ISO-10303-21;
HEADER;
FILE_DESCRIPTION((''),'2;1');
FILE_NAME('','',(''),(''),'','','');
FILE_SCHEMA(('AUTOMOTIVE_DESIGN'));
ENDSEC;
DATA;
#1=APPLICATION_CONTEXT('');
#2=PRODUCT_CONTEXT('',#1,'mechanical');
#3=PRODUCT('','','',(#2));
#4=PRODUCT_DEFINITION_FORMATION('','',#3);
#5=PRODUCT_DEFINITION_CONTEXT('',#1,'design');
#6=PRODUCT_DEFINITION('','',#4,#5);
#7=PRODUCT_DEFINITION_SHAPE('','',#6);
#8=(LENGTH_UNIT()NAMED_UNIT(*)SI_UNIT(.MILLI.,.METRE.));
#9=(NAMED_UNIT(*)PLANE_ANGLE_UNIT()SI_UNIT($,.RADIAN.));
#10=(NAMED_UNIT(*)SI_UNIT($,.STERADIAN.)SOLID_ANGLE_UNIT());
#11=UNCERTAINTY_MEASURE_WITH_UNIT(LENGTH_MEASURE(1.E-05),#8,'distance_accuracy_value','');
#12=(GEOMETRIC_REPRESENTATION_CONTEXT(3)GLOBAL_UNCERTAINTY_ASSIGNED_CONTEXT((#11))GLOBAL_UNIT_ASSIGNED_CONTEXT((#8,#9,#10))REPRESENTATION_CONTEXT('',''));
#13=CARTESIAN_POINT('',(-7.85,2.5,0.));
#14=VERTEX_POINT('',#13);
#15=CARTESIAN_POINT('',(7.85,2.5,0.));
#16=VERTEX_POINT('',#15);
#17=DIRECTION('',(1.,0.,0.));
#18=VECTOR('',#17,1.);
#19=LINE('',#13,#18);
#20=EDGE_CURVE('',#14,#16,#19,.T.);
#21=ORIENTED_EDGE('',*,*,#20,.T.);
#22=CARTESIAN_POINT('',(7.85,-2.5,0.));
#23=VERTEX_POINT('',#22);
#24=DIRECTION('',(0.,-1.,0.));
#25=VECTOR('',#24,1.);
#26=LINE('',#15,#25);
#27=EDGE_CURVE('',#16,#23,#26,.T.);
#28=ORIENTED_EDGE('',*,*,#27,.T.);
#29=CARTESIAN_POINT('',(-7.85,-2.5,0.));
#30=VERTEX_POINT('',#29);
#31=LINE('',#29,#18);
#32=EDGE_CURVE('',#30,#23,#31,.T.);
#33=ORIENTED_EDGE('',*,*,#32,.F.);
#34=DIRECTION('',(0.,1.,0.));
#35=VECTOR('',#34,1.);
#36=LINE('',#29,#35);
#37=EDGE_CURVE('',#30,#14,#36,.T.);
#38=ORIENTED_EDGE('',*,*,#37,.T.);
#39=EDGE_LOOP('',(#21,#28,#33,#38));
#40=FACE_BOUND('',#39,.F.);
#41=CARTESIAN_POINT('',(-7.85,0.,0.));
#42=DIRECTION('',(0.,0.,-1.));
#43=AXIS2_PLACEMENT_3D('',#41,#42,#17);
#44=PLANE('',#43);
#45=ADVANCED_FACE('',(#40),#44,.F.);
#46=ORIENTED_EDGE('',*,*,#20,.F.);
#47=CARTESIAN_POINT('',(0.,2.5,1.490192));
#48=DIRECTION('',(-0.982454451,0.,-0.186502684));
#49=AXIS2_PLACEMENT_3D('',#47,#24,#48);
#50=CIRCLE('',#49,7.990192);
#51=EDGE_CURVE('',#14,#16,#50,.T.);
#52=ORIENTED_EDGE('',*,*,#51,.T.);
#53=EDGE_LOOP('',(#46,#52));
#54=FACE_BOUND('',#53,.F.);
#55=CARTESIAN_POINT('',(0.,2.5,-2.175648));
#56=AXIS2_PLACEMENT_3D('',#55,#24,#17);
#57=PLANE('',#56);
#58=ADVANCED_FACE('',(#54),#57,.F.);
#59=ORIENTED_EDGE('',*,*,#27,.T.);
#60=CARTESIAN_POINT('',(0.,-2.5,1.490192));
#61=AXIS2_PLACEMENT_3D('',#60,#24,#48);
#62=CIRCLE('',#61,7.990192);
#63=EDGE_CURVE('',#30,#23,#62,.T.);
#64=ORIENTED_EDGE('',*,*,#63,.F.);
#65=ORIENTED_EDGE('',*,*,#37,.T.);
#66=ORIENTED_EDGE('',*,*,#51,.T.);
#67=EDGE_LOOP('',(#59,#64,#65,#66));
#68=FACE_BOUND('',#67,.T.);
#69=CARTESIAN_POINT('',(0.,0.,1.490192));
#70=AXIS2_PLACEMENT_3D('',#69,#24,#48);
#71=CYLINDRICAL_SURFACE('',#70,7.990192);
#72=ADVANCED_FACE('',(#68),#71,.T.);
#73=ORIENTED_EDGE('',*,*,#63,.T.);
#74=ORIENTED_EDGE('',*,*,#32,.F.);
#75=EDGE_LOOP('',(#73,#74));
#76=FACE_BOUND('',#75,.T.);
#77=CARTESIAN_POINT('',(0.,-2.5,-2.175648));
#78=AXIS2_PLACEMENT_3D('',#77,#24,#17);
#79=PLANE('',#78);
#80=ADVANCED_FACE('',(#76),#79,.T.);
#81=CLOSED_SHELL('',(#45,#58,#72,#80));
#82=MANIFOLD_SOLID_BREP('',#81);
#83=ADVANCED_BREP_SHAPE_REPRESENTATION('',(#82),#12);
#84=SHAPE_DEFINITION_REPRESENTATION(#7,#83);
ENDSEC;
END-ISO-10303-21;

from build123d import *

# Parameters (mm, degrees)
PAD_DEPTH = 2.5


with BuildPart() as part:
    # Sketch → Pad (new body, symmetric)
    with BuildSketch(Plane.XZ):
        with BuildLine():
            ThreePointArc((-7.85, 0), (0, -6.5), (7.85, 0))
            Line((-7.85, 0), (7.85, 0))
        make_face()
    extrude(amount=PAD_DEPTH, both=True)


solid = part.part
